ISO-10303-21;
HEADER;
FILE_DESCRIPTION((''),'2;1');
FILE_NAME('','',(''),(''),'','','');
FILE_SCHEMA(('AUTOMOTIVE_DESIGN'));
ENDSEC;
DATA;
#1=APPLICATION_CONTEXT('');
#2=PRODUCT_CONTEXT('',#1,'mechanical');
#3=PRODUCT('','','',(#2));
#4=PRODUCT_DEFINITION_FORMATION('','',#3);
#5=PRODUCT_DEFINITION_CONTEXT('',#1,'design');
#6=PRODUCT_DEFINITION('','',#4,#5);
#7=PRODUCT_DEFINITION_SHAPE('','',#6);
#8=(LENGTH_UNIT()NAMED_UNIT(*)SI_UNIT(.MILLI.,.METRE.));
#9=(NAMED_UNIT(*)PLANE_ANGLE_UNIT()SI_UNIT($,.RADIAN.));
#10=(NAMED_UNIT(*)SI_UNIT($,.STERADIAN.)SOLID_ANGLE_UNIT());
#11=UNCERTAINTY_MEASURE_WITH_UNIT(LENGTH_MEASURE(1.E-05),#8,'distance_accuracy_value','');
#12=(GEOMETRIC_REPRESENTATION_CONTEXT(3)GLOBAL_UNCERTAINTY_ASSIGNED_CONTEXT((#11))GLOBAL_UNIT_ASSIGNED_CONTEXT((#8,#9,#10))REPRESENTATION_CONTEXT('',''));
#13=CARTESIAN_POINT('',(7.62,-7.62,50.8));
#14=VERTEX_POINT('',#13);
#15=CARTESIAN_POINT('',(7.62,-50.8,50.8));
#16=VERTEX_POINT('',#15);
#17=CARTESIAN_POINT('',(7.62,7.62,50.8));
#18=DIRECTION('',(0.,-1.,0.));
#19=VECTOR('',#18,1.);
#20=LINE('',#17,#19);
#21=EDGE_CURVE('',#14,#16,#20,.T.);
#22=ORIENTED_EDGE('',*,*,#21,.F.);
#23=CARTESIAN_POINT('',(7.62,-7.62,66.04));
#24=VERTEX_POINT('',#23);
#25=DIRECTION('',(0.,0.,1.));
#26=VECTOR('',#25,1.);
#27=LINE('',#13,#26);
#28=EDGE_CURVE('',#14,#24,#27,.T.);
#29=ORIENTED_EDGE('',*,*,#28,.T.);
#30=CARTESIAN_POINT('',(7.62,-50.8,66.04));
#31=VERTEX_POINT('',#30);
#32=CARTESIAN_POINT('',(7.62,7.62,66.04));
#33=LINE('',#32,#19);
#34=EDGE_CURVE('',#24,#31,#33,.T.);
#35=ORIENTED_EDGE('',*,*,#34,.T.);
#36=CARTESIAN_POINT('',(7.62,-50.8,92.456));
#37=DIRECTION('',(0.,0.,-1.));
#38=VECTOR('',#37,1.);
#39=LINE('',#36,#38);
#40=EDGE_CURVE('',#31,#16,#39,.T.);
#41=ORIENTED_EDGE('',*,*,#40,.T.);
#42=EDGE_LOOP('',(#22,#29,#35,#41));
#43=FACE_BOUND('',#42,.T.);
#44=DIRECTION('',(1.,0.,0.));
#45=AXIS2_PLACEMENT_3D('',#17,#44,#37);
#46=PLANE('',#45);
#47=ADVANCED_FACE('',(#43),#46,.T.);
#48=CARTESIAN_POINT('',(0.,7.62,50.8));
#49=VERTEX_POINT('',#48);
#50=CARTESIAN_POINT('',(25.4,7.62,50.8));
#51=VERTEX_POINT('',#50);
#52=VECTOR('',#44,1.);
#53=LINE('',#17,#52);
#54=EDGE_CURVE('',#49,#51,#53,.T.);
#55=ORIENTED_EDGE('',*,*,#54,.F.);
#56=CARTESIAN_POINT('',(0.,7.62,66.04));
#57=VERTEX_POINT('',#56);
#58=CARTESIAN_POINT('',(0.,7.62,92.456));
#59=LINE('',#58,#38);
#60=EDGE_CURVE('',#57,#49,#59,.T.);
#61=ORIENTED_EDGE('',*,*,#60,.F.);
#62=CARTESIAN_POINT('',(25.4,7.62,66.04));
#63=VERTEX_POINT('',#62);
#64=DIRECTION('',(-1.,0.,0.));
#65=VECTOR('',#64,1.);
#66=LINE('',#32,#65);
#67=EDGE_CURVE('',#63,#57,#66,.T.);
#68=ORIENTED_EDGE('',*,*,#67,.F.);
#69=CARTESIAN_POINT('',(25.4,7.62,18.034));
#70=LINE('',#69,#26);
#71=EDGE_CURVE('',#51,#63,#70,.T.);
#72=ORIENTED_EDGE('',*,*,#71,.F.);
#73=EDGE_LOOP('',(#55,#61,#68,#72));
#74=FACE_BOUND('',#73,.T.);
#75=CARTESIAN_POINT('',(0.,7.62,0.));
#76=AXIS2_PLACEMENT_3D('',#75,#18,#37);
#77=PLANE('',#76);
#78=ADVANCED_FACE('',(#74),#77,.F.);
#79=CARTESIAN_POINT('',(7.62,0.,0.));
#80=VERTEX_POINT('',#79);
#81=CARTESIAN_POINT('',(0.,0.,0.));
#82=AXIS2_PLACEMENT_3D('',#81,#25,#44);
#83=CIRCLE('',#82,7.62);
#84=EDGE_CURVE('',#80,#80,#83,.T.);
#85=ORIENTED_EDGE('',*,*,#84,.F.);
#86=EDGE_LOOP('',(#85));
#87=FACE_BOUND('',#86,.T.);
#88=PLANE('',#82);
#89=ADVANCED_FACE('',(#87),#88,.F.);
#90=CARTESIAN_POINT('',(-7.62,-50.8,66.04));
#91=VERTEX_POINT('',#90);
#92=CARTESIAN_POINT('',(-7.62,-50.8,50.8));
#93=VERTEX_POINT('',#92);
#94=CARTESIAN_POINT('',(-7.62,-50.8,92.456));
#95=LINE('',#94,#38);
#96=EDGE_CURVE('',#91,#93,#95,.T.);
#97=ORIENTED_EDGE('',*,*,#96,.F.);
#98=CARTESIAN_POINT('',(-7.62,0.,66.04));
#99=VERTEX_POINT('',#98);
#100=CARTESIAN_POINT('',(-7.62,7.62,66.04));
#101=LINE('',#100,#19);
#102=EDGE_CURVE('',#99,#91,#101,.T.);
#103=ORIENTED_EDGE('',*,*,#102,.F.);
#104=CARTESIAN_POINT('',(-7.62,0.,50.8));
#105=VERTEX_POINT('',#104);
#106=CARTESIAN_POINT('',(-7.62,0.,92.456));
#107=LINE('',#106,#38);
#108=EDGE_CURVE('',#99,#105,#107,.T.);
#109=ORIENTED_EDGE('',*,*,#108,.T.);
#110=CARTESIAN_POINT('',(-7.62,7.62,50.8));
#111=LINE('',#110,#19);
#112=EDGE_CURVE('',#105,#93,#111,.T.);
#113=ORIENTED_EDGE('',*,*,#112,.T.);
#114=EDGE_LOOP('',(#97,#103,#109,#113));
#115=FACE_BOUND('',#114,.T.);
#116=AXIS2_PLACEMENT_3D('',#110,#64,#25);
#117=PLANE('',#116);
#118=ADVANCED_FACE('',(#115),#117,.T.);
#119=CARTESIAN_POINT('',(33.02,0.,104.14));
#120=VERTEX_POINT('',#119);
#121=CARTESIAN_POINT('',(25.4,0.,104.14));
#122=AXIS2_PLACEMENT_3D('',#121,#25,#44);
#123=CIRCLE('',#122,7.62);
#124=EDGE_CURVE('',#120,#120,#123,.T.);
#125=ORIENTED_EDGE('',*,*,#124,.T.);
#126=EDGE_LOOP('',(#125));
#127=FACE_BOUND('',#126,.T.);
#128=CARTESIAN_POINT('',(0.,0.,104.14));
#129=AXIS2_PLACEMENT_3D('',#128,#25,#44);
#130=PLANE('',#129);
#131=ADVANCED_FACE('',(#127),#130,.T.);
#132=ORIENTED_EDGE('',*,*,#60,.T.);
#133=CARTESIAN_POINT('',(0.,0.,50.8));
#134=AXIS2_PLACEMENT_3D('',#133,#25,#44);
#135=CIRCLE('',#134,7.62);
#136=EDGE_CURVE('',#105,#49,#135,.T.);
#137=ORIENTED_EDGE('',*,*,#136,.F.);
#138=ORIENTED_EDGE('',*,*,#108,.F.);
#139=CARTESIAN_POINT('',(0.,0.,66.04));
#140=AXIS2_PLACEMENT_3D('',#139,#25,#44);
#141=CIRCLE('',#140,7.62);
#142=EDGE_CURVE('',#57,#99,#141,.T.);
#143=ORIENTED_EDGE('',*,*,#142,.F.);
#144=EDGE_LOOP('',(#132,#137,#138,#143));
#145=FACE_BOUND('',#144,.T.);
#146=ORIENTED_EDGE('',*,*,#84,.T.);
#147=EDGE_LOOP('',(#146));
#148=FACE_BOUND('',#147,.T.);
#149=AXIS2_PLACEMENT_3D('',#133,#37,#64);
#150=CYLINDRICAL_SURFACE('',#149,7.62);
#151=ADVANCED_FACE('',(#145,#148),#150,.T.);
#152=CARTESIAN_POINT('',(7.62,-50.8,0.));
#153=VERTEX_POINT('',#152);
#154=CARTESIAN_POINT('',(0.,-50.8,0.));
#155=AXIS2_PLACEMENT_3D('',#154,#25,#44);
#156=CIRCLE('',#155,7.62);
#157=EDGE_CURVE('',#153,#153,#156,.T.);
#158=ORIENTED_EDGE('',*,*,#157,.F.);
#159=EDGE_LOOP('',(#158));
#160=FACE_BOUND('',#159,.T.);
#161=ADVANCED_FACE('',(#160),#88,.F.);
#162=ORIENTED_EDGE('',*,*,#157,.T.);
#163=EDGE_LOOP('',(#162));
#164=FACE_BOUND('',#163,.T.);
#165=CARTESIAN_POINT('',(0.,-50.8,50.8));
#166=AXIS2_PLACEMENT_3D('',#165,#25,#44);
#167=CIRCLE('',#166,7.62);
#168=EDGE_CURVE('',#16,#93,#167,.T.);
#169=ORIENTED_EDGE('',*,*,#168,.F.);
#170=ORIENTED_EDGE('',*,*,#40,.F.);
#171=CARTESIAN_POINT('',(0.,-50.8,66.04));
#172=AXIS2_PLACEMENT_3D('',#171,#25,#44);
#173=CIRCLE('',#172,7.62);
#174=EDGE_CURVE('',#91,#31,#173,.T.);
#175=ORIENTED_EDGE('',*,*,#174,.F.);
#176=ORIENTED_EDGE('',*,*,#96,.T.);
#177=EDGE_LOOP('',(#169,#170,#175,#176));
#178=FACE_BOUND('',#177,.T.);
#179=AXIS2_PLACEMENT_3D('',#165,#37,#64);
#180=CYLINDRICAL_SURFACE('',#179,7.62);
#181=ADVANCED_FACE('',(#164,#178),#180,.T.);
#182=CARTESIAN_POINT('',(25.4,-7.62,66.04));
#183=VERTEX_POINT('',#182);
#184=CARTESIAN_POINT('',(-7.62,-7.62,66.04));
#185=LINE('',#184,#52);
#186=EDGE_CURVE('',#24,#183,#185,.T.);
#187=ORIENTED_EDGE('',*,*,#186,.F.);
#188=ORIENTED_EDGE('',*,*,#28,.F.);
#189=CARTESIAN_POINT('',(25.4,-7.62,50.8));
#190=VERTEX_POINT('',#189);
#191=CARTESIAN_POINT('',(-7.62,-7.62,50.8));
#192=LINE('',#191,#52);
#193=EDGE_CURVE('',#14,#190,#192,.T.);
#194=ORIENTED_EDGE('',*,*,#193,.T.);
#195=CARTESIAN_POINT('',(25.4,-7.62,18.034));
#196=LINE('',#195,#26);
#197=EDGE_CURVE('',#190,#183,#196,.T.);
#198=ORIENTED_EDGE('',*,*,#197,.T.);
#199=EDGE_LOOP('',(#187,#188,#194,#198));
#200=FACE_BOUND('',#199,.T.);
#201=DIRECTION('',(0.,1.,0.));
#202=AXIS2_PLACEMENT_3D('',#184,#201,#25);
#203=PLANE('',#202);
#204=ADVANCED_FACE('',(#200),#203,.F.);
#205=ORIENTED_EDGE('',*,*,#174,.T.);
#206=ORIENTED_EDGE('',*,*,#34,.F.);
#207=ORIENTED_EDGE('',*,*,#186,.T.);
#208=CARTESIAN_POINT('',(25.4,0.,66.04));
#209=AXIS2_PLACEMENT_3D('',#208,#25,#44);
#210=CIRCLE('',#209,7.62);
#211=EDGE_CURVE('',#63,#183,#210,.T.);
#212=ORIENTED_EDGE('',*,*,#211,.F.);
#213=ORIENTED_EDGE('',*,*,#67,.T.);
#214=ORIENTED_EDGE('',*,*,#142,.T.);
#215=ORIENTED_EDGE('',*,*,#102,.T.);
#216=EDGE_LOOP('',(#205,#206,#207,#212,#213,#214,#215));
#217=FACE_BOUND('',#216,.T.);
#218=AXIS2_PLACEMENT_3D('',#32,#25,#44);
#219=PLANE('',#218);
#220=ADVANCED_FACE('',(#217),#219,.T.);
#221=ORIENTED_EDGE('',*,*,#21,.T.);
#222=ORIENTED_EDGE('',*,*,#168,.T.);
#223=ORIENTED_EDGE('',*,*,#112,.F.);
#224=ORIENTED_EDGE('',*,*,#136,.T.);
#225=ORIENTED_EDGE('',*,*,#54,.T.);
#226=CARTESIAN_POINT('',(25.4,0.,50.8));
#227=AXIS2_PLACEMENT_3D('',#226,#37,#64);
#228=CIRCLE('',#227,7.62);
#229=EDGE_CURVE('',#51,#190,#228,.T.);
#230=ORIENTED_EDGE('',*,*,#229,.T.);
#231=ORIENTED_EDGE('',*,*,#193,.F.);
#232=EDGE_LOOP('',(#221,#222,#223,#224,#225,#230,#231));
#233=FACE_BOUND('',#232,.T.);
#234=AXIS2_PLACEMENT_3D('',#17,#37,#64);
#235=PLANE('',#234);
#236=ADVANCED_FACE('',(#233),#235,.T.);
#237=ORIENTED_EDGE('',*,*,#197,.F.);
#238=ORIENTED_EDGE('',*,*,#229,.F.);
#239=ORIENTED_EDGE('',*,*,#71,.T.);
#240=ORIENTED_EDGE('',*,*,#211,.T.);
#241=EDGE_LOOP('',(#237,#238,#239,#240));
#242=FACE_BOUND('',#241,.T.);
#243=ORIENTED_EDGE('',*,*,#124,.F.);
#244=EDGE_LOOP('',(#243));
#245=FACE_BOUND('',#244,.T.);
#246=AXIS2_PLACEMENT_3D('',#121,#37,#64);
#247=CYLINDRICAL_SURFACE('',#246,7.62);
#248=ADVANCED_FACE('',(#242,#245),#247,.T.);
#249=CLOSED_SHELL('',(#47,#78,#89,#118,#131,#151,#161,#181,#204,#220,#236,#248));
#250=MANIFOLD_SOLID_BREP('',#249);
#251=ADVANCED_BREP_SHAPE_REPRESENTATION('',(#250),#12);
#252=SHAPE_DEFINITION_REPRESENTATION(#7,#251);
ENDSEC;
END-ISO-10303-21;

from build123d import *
from build123d.topology import SkipClean

# Parameters (mm, degrees)
SKETCH2_R                = 7.62
BOSS_EXTRUDE1_DEPTH      = 50.8
SKETCH2_R_2              = 7.619999999999999
BOSS_EXTRUDE1_2_DEPTH    = 50.8
SKETCH4_W                = 15.239999999999998
SKETCH4_H                = 15.239999999999998
BOSS_EXTRUDE3_DEPTH      = 15.239999999999998
SKETCH6_W                = 15.240000000000016
SKETCH6_H                = 15.239999999999998
BOSS_EXTRUDE4_DEPTH      = 25.4
SKETCH7_R                = 7.619999999999997
BOSS_EXTRUDE6_DEPTH      = 38.1
CUT_EXTRUDE1_DEPTH       = 86.10600000000002
CUT_EXTRUDE2_START       = -86.10600000000002
CUT_EXTRUDE2_DEPTH       = 86.10600000000002
BOSS_EXTRUDE7_DEPTH      = 50.8
BOSS_EXTRUDE7_DEPTH_BACK = 15.239999999999998
SKETCH10_W               = 15.239999999999998
SKETCH10_H               = 15.240000000000016
CUT_EXTRUDE6_DEPTH       = 92.45600000000002


with BuildPart() as part:
    # Sketch2 → Boss-Extrude1 (new body)
    with BuildSketch(Plane.XY):
        Circle(SKETCH2_R)
    extrude(amount=BOSS_EXTRUDE1_DEPTH)

    # Sketch4 → Boss-Extrude3 (add)
    with BuildSketch(Plane.XY.offset(50.8)):
        Rectangle(SKETCH4_W, SKETCH4_H)
    extrude(amount=BOSS_EXTRUDE3_DEPTH)

    # Sketch6 → Boss-Extrude4 (add)
    with BuildSketch(Plane(origin=(7.619999999999999, 0, 0), x_dir=(0, 0, -1), z_dir=(1, 0, 0))):
        with Locations((-58.42, 0)):
            Rectangle(SKETCH6_W, SKETCH6_H)
    extrude(amount=BOSS_EXTRUDE4_DEPTH)

    # Sketch7 → Boss-Extrude6 (add)
    with BuildSketch(Plane.XY.offset(66.04)):
        with Locations((25.400000000000002, 0)):
            Circle(SKETCH7_R)
    extrude(amount=BOSS_EXTRUDE6_DEPTH)

    # Sketch8 → Cut-Extrude1 (cut)
    with BuildSketch(Plane(origin=(0, 0, 0), x_dir=(-1, 0, 0), z_dir=(0, 0, -1))):
        with BuildLine():
            Line((7.619999999999999, 0), (7.619999999999999, 7.619999999999999))
            Line((7.619999999999999, 7.619999999999999), (3.2596e-13, 7.619999999999999))
            ThreePointArc((3.2702e-13, 7.62), (5.388153672641607, 5.388153672641376), (7.62, 0))
        make_face()
        with BuildLine():
            Line((7.619999999999999, -7.619999999999997), (7.619999999999999, 0))
            ThreePointArc((7.62, -1.87e-15), (5.3881536742144505, -5.388153671068534), (4.44899204e-09, -7.62))
            Line((4.44899229e-09, -7.619999999999997), (7.619999999999999, -7.619999999999997))
        make_face()
    extrude(amount=-CUT_EXTRUDE1_DEPTH, mode=Mode.SUBTRACT)

    # Sketch9 → Cut-Extrude2 (cut)
    with BuildSketch(Plane.XY.offset(104.14000000000001).offset(CUT_EXTRUDE2_START)):
        with BuildLine():
            Line((33.02, 0), (33.02, 7.619999999999999))
            Line((33.02, 7.619999999999999), (25.40000000000031, 7.619999999999999))
            ThreePointArc((25.40000000000031, 7.619999999999997), (30.788153672641602, 5.388153672641381), (33.019999999999996, 0))
        make_face()
        with BuildLine():
            Line((33.02, -7.619999999999997), (33.02, 0))
            ThreePointArc((33.019999999999996, -1.87e-15), (30.788153672641606, -5.388153672641376), (25.400000000000325, -7.619999999999997))
            Line((25.400000000000325, -7.619999999999997), (33.02, -7.619999999999997))
        make_face()
    extrude(amount=CUT_EXTRUDE2_DEPTH, mode=Mode.SUBTRACT)



with BuildPart() as body_2:
    # Sketch2 → Boss-Extrude1 2 (new body)
    with BuildSketch(Plane.XY):
        with Locations((6.22e-15, -50.8)):
            Circle(SKETCH2_R_2)
    extrude(amount=BOSS_EXTRUDE1_2_DEPTH)


with BuildPart() as part_1:
    add(part.part)

    add(body_2.part)  # Boss-Extrude7 merges body 2
    # Sketch10 → Boss-Extrude7 (add, two sides: drawn at the far end of the back side and taken through both)
    with BuildSketch(Plane.XZ.offset(7.619999999999999).offset(-BOSS_EXTRUDE7_DEPTH_BACK)):
        with Locations((0, 58.42)):
            Rectangle(SKETCH10_W, SKETCH10_H)
    extrude(amount=BOSS_EXTRUDE7_DEPTH + BOSS_EXTRUDE7_DEPTH_BACK)

    # Sketch13 → Cut-Extrude6 (cut)
    with SkipClean():  # the faces are left unmerged after this step: merging them gives an invalid solid
        with BuildSketch(Plane(origin=(0, 0, 0), x_dir=(-1, 0, 0), z_dir=(0, 0, -1))):
            with BuildLine():
                Line((7.619999999999999, 0), (7.619999999999999, 7.619999999999999))
                Line((7.619999999999999, 7.619999999999999), (3.2685e-13, 7.619999999999999))
                ThreePointArc((3.2702e-13, 7.62), (5.388153672641607, 5.388153672641376), (7.62, 0))
            make_face()
            with BuildLine():
                Line((3.895929446e-08, -58.42), (7.619999999999999, -58.42))
                Line((7.619999999999999, -58.42), (7.619999999999999, -50.8))
                ThreePointArc((7.619999999999991, -50.8), (5.388153686415675, -56.18815365886729), (3.895929121e-08, -58.419999999999995))
            make_face()
            with BuildLine():
                Line((-7.619999999999999, -58.42), (3.895929446e-08, -58.42))
                ThreePointArc((3.895929121e-08, -58.419999999999995), (-5.388153658867306, -56.18815368641568), (-7.620000000000004, -50.8))
                Line((-7.619999999999998, -50.8), (-7.619999999999998, -58.42))
            make_face()
        extrude(amount=-CUT_EXTRUDE6_DEPTH, mode=Mode.SUBTRACT)


solid = part_1.part
